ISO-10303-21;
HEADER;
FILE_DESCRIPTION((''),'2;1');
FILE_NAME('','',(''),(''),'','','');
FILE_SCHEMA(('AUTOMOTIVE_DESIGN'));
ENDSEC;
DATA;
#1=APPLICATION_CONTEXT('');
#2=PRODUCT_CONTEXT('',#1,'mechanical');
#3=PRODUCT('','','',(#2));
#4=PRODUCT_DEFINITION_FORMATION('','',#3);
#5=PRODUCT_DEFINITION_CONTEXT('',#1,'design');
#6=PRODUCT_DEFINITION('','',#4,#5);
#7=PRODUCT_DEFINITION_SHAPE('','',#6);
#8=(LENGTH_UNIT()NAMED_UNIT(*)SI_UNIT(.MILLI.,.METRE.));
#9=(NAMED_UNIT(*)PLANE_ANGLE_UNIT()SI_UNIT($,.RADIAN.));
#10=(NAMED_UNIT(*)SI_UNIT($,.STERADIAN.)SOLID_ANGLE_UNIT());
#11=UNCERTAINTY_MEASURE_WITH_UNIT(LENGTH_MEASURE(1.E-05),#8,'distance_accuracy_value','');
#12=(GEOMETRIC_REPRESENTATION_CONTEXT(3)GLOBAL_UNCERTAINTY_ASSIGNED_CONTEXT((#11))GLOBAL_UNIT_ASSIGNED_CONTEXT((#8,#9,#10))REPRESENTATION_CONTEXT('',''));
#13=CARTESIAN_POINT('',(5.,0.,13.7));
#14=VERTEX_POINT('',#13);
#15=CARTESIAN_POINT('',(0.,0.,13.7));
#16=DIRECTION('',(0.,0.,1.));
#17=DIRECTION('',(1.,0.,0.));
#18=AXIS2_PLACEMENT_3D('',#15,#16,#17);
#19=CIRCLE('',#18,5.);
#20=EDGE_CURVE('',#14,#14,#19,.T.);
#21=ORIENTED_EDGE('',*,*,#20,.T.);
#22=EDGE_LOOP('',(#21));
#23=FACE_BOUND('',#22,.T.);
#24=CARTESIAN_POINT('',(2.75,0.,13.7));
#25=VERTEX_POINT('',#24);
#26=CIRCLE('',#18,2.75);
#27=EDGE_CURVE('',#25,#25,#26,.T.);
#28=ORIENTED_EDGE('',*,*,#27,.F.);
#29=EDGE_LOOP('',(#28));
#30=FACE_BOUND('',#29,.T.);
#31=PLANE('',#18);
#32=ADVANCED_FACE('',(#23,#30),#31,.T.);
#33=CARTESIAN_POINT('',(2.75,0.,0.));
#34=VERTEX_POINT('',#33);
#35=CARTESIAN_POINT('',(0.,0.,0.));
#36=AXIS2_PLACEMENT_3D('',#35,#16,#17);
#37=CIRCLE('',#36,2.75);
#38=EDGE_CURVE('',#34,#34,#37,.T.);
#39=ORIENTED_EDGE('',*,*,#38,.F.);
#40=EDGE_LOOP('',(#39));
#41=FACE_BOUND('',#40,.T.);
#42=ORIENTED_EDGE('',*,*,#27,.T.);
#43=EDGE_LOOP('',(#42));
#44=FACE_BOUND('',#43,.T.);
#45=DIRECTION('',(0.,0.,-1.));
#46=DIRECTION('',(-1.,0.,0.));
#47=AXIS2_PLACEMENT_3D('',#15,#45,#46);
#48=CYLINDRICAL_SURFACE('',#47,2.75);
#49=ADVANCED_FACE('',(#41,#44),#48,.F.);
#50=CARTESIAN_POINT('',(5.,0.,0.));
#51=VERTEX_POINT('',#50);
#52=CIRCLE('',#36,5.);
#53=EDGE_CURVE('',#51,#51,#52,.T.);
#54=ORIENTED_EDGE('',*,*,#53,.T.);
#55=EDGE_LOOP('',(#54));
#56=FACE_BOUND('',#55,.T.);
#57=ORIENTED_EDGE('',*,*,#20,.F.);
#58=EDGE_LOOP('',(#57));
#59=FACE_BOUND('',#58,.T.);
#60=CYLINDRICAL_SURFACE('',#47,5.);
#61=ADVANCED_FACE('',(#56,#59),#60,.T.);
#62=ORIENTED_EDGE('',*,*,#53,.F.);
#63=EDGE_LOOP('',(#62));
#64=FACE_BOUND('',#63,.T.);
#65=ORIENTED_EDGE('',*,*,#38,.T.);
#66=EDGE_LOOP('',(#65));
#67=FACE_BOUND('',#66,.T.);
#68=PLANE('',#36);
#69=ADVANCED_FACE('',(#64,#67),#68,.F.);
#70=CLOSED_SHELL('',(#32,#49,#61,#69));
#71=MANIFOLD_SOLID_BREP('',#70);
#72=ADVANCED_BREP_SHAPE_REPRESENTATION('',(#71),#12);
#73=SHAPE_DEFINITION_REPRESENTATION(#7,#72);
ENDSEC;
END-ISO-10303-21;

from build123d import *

# Parameters (mm, degrees)
SKETCH_1_R      = 5
SKETCH_1_R_2    = 2.75
EXTRUDE_1_DEPTH = 13.7


with BuildPart() as part:
    # ｽｹｯﾁ1 → ﾎﾞｽ - 押し出し1 (new body)
    with BuildSketch(Plane.XY):
        Circle(SKETCH_1_R)
        Circle(SKETCH_1_R_2, mode=Mode.SUBTRACT)
    extrude(amount=EXTRUDE_1_DEPTH)


solid = part.part
